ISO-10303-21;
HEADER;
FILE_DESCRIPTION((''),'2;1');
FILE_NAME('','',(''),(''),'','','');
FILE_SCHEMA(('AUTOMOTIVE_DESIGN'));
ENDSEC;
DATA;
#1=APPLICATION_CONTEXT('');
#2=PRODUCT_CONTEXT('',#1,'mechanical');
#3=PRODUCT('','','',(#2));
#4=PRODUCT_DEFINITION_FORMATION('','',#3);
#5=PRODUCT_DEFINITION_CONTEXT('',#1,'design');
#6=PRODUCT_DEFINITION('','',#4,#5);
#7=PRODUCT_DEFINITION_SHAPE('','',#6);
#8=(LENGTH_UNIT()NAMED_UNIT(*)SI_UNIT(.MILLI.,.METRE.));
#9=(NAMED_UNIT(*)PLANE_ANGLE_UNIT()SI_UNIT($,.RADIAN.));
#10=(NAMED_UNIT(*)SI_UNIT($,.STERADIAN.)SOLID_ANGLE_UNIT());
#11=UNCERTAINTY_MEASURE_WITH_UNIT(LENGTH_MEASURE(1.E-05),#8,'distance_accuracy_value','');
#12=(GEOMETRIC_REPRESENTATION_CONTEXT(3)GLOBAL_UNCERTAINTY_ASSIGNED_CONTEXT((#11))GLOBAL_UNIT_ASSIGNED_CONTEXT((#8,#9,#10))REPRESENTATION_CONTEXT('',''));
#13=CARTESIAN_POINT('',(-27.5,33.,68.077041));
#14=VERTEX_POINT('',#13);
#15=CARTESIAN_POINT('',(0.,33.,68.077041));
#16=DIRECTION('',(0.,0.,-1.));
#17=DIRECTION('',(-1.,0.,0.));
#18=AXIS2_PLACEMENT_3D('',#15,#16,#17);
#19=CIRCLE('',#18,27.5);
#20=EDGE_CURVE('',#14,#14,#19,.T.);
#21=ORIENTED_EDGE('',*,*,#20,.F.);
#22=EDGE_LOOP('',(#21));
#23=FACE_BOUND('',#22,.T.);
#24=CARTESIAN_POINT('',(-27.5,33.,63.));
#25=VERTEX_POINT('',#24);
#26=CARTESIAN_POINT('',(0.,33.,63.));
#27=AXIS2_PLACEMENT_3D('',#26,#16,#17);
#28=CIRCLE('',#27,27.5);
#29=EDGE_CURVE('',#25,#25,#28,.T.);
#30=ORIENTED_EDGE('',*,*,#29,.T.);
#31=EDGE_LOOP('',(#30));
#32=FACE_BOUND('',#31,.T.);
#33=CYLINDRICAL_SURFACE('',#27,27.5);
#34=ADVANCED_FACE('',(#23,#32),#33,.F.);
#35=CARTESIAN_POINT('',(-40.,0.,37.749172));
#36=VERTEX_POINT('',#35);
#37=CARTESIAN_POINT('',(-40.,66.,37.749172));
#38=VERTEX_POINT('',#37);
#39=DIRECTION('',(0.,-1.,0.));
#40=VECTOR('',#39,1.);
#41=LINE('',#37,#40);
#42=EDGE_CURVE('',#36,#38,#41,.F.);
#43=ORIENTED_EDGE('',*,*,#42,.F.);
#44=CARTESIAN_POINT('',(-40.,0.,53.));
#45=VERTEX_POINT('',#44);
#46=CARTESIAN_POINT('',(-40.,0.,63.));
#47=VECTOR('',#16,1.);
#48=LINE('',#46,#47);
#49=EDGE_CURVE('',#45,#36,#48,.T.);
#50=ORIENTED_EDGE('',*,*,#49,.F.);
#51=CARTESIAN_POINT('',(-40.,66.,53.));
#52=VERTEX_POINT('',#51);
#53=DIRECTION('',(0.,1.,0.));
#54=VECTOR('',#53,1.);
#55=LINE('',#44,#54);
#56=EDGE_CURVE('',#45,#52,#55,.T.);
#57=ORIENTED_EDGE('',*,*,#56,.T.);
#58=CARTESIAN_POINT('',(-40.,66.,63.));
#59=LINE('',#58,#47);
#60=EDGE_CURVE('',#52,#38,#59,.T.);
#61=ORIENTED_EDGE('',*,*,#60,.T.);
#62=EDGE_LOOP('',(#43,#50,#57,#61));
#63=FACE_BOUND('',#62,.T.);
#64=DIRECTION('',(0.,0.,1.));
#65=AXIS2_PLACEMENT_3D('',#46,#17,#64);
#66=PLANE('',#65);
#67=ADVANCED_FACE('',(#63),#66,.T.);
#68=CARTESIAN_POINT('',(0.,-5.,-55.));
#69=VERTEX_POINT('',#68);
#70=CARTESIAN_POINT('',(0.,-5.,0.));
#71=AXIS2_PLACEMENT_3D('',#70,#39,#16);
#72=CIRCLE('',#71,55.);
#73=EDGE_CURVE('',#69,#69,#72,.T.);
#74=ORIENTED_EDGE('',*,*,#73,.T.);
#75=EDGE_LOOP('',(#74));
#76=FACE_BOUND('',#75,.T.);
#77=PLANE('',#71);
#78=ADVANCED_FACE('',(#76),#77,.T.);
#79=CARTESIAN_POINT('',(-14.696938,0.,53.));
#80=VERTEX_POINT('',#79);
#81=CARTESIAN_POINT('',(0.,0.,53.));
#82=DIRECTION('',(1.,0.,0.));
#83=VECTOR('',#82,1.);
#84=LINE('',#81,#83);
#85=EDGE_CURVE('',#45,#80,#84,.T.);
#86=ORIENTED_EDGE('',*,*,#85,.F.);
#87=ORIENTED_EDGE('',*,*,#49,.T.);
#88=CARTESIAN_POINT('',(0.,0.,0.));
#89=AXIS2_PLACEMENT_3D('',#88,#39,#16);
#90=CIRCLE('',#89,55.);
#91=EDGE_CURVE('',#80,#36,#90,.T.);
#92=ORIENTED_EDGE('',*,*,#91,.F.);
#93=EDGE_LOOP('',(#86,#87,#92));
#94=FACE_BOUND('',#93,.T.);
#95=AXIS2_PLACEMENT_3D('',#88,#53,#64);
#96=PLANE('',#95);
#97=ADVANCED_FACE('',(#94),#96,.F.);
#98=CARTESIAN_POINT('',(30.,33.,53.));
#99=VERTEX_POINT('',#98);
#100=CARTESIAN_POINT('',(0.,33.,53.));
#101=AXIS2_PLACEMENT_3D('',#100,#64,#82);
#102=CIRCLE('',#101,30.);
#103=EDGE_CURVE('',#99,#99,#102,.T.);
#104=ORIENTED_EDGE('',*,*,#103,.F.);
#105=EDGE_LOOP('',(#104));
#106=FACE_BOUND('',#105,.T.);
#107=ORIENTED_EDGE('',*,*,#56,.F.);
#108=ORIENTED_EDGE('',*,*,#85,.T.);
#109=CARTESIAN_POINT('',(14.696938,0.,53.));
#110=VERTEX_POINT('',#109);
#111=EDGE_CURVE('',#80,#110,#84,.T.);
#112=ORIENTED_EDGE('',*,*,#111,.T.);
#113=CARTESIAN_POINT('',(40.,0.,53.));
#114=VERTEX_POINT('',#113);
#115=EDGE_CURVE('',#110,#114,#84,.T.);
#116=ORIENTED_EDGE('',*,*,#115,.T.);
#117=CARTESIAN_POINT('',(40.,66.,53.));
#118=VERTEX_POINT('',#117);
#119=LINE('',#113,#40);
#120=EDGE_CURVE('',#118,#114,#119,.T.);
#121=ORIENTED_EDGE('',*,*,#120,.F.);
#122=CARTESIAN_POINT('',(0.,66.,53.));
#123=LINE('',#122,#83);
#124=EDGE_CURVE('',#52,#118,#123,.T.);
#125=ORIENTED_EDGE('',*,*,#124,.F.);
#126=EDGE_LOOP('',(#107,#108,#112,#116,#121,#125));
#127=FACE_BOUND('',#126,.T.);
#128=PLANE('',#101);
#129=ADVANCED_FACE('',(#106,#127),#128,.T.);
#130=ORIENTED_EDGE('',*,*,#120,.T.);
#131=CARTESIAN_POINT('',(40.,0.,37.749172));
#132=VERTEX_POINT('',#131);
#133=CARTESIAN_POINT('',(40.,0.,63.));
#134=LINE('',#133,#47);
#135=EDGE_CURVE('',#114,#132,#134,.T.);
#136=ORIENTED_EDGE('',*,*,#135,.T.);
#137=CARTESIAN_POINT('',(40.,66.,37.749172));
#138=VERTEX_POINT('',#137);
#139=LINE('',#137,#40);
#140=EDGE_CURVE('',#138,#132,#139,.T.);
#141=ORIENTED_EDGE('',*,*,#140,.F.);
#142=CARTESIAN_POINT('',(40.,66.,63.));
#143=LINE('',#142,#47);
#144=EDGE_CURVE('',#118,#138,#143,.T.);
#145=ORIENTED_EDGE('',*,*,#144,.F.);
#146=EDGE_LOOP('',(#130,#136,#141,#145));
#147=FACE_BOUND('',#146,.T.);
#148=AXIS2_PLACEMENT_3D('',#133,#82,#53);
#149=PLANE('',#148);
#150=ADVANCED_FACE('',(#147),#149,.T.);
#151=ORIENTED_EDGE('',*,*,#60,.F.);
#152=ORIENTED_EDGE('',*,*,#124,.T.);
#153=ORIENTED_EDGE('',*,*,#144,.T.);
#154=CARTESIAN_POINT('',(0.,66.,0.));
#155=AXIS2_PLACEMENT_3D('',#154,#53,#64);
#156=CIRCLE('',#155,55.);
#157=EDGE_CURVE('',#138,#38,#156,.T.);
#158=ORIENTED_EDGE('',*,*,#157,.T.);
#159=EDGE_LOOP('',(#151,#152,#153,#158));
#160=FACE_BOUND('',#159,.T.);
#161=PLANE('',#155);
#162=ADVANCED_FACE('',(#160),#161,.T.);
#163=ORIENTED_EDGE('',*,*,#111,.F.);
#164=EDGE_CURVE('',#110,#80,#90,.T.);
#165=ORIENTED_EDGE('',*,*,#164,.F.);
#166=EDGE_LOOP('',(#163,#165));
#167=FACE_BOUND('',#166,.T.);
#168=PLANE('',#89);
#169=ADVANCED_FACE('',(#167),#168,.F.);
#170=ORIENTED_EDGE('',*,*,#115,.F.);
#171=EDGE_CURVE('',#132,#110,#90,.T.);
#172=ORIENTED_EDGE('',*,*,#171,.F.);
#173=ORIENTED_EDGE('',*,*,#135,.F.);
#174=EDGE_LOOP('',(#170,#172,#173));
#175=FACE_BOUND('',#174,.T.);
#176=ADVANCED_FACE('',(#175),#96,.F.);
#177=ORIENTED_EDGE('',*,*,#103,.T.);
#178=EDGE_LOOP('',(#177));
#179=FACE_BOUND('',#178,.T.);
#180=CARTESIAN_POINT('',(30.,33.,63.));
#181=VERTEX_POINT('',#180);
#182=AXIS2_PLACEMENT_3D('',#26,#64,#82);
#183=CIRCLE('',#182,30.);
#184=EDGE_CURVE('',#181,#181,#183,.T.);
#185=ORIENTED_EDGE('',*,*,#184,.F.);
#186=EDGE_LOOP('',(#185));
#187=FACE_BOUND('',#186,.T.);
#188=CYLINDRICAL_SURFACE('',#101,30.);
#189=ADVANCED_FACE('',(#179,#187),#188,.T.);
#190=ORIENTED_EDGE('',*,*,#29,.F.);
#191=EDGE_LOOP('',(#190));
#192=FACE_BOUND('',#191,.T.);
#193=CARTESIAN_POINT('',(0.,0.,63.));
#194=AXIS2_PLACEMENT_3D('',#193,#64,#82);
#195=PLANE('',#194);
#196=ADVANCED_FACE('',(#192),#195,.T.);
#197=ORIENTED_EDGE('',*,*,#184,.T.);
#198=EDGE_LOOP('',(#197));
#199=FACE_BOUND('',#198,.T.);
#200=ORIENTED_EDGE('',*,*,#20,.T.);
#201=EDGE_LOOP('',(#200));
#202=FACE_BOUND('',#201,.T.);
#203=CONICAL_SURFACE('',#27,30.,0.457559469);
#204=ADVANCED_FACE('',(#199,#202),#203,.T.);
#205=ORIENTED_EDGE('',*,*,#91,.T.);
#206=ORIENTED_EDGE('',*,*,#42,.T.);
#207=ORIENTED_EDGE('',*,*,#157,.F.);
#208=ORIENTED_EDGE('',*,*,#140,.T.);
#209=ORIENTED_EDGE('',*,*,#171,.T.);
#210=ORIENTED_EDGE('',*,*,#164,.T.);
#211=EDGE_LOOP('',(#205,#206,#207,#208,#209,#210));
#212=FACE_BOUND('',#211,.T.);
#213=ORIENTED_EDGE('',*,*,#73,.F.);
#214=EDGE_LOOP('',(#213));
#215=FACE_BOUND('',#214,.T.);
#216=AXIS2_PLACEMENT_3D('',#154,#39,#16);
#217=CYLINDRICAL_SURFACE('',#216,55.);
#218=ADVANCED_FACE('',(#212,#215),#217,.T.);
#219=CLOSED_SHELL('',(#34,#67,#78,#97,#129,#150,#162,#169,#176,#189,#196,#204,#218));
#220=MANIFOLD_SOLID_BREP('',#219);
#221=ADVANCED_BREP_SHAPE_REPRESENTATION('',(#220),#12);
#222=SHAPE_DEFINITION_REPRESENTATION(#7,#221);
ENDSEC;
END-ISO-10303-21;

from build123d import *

# Parameters (mm, degrees)
SKETCH1_R           = 55
BOSS_EXTRUDE1_DEPTH = 66
BOSS_EXTRUDE3_DEPTH = 63
SKETCH5_R           = 56.242985336
SKETCH5_R_2         = 30
CUT_EXTRUDE2_DEPTH  = 10
BOSS_EXTRUDE4_START = 5
SKETCH6_R           = 55
BOSS_EXTRUDE4_DEPTH = 5


with BuildPart() as part:
    # Sketch1 → Boss-Extrude1 (new body)
    with BuildSketch(Plane(origin=(0, 0, 0), x_dir=(1, 0, 0), z_dir=(0, 1, 0))):
        with Locations(Location((0, 0, 0), (0, 0, 270))):
            Circle(SKETCH1_R)
    extrude(amount=BOSS_EXTRUDE1_DEPTH)

    # Sketch2 → Boss-Extrude3 (add)
    with BuildSketch(Plane.XY):
        Polygon((-40, 66), (-40, 0), (0, 0), (40, 0), (40, 66), align=None)
    extrude(amount=BOSS_EXTRUDE3_DEPTH)

    # Sketch4 → Revolve1 (revolve)
    with BuildSketch(Plane(origin=(0, 0, 0), x_dir=(0, 0, -1), z_dir=(1, 0, 0)), mode=Mode.PRIVATE) as revolve1_sk:
        Polygon((-63, 5.5), (-68.077040766, 5.5), (-63, 3), align=None)
    revolve(revolve1_sk.sketch.rotate(Axis((0, 33, 63), (0, 0, 1)), 270), axis=Axis((0, 33, 63), (0, 0, 1)))

    # Sketch5 → Cut-Extrude2 (cut)
    with BuildSketch(Plane.XY.offset(63)):
        with Locations((0, 33)):
            Circle(SKETCH5_R)
        with Locations((0, 33)):
            Circle(SKETCH5_R_2, mode=Mode.SUBTRACT)
    extrude(amount=-CUT_EXTRUDE2_DEPTH, mode=Mode.SUBTRACT)

    # Sketch6 → Boss-Extrude4 (add)
    with BuildSketch(Plane(origin=(0, 0, 0), x_dir=(-1, 0, 0), z_dir=(0, -1, 0)).offset(BOSS_EXTRUDE4_START)):
        with Locations(Location((0, 0, 0), (0, 0, 90))):
            Circle(SKETCH6_R)
    extrude(amount=-BOSS_EXTRUDE4_DEPTH)


solid = part.part
